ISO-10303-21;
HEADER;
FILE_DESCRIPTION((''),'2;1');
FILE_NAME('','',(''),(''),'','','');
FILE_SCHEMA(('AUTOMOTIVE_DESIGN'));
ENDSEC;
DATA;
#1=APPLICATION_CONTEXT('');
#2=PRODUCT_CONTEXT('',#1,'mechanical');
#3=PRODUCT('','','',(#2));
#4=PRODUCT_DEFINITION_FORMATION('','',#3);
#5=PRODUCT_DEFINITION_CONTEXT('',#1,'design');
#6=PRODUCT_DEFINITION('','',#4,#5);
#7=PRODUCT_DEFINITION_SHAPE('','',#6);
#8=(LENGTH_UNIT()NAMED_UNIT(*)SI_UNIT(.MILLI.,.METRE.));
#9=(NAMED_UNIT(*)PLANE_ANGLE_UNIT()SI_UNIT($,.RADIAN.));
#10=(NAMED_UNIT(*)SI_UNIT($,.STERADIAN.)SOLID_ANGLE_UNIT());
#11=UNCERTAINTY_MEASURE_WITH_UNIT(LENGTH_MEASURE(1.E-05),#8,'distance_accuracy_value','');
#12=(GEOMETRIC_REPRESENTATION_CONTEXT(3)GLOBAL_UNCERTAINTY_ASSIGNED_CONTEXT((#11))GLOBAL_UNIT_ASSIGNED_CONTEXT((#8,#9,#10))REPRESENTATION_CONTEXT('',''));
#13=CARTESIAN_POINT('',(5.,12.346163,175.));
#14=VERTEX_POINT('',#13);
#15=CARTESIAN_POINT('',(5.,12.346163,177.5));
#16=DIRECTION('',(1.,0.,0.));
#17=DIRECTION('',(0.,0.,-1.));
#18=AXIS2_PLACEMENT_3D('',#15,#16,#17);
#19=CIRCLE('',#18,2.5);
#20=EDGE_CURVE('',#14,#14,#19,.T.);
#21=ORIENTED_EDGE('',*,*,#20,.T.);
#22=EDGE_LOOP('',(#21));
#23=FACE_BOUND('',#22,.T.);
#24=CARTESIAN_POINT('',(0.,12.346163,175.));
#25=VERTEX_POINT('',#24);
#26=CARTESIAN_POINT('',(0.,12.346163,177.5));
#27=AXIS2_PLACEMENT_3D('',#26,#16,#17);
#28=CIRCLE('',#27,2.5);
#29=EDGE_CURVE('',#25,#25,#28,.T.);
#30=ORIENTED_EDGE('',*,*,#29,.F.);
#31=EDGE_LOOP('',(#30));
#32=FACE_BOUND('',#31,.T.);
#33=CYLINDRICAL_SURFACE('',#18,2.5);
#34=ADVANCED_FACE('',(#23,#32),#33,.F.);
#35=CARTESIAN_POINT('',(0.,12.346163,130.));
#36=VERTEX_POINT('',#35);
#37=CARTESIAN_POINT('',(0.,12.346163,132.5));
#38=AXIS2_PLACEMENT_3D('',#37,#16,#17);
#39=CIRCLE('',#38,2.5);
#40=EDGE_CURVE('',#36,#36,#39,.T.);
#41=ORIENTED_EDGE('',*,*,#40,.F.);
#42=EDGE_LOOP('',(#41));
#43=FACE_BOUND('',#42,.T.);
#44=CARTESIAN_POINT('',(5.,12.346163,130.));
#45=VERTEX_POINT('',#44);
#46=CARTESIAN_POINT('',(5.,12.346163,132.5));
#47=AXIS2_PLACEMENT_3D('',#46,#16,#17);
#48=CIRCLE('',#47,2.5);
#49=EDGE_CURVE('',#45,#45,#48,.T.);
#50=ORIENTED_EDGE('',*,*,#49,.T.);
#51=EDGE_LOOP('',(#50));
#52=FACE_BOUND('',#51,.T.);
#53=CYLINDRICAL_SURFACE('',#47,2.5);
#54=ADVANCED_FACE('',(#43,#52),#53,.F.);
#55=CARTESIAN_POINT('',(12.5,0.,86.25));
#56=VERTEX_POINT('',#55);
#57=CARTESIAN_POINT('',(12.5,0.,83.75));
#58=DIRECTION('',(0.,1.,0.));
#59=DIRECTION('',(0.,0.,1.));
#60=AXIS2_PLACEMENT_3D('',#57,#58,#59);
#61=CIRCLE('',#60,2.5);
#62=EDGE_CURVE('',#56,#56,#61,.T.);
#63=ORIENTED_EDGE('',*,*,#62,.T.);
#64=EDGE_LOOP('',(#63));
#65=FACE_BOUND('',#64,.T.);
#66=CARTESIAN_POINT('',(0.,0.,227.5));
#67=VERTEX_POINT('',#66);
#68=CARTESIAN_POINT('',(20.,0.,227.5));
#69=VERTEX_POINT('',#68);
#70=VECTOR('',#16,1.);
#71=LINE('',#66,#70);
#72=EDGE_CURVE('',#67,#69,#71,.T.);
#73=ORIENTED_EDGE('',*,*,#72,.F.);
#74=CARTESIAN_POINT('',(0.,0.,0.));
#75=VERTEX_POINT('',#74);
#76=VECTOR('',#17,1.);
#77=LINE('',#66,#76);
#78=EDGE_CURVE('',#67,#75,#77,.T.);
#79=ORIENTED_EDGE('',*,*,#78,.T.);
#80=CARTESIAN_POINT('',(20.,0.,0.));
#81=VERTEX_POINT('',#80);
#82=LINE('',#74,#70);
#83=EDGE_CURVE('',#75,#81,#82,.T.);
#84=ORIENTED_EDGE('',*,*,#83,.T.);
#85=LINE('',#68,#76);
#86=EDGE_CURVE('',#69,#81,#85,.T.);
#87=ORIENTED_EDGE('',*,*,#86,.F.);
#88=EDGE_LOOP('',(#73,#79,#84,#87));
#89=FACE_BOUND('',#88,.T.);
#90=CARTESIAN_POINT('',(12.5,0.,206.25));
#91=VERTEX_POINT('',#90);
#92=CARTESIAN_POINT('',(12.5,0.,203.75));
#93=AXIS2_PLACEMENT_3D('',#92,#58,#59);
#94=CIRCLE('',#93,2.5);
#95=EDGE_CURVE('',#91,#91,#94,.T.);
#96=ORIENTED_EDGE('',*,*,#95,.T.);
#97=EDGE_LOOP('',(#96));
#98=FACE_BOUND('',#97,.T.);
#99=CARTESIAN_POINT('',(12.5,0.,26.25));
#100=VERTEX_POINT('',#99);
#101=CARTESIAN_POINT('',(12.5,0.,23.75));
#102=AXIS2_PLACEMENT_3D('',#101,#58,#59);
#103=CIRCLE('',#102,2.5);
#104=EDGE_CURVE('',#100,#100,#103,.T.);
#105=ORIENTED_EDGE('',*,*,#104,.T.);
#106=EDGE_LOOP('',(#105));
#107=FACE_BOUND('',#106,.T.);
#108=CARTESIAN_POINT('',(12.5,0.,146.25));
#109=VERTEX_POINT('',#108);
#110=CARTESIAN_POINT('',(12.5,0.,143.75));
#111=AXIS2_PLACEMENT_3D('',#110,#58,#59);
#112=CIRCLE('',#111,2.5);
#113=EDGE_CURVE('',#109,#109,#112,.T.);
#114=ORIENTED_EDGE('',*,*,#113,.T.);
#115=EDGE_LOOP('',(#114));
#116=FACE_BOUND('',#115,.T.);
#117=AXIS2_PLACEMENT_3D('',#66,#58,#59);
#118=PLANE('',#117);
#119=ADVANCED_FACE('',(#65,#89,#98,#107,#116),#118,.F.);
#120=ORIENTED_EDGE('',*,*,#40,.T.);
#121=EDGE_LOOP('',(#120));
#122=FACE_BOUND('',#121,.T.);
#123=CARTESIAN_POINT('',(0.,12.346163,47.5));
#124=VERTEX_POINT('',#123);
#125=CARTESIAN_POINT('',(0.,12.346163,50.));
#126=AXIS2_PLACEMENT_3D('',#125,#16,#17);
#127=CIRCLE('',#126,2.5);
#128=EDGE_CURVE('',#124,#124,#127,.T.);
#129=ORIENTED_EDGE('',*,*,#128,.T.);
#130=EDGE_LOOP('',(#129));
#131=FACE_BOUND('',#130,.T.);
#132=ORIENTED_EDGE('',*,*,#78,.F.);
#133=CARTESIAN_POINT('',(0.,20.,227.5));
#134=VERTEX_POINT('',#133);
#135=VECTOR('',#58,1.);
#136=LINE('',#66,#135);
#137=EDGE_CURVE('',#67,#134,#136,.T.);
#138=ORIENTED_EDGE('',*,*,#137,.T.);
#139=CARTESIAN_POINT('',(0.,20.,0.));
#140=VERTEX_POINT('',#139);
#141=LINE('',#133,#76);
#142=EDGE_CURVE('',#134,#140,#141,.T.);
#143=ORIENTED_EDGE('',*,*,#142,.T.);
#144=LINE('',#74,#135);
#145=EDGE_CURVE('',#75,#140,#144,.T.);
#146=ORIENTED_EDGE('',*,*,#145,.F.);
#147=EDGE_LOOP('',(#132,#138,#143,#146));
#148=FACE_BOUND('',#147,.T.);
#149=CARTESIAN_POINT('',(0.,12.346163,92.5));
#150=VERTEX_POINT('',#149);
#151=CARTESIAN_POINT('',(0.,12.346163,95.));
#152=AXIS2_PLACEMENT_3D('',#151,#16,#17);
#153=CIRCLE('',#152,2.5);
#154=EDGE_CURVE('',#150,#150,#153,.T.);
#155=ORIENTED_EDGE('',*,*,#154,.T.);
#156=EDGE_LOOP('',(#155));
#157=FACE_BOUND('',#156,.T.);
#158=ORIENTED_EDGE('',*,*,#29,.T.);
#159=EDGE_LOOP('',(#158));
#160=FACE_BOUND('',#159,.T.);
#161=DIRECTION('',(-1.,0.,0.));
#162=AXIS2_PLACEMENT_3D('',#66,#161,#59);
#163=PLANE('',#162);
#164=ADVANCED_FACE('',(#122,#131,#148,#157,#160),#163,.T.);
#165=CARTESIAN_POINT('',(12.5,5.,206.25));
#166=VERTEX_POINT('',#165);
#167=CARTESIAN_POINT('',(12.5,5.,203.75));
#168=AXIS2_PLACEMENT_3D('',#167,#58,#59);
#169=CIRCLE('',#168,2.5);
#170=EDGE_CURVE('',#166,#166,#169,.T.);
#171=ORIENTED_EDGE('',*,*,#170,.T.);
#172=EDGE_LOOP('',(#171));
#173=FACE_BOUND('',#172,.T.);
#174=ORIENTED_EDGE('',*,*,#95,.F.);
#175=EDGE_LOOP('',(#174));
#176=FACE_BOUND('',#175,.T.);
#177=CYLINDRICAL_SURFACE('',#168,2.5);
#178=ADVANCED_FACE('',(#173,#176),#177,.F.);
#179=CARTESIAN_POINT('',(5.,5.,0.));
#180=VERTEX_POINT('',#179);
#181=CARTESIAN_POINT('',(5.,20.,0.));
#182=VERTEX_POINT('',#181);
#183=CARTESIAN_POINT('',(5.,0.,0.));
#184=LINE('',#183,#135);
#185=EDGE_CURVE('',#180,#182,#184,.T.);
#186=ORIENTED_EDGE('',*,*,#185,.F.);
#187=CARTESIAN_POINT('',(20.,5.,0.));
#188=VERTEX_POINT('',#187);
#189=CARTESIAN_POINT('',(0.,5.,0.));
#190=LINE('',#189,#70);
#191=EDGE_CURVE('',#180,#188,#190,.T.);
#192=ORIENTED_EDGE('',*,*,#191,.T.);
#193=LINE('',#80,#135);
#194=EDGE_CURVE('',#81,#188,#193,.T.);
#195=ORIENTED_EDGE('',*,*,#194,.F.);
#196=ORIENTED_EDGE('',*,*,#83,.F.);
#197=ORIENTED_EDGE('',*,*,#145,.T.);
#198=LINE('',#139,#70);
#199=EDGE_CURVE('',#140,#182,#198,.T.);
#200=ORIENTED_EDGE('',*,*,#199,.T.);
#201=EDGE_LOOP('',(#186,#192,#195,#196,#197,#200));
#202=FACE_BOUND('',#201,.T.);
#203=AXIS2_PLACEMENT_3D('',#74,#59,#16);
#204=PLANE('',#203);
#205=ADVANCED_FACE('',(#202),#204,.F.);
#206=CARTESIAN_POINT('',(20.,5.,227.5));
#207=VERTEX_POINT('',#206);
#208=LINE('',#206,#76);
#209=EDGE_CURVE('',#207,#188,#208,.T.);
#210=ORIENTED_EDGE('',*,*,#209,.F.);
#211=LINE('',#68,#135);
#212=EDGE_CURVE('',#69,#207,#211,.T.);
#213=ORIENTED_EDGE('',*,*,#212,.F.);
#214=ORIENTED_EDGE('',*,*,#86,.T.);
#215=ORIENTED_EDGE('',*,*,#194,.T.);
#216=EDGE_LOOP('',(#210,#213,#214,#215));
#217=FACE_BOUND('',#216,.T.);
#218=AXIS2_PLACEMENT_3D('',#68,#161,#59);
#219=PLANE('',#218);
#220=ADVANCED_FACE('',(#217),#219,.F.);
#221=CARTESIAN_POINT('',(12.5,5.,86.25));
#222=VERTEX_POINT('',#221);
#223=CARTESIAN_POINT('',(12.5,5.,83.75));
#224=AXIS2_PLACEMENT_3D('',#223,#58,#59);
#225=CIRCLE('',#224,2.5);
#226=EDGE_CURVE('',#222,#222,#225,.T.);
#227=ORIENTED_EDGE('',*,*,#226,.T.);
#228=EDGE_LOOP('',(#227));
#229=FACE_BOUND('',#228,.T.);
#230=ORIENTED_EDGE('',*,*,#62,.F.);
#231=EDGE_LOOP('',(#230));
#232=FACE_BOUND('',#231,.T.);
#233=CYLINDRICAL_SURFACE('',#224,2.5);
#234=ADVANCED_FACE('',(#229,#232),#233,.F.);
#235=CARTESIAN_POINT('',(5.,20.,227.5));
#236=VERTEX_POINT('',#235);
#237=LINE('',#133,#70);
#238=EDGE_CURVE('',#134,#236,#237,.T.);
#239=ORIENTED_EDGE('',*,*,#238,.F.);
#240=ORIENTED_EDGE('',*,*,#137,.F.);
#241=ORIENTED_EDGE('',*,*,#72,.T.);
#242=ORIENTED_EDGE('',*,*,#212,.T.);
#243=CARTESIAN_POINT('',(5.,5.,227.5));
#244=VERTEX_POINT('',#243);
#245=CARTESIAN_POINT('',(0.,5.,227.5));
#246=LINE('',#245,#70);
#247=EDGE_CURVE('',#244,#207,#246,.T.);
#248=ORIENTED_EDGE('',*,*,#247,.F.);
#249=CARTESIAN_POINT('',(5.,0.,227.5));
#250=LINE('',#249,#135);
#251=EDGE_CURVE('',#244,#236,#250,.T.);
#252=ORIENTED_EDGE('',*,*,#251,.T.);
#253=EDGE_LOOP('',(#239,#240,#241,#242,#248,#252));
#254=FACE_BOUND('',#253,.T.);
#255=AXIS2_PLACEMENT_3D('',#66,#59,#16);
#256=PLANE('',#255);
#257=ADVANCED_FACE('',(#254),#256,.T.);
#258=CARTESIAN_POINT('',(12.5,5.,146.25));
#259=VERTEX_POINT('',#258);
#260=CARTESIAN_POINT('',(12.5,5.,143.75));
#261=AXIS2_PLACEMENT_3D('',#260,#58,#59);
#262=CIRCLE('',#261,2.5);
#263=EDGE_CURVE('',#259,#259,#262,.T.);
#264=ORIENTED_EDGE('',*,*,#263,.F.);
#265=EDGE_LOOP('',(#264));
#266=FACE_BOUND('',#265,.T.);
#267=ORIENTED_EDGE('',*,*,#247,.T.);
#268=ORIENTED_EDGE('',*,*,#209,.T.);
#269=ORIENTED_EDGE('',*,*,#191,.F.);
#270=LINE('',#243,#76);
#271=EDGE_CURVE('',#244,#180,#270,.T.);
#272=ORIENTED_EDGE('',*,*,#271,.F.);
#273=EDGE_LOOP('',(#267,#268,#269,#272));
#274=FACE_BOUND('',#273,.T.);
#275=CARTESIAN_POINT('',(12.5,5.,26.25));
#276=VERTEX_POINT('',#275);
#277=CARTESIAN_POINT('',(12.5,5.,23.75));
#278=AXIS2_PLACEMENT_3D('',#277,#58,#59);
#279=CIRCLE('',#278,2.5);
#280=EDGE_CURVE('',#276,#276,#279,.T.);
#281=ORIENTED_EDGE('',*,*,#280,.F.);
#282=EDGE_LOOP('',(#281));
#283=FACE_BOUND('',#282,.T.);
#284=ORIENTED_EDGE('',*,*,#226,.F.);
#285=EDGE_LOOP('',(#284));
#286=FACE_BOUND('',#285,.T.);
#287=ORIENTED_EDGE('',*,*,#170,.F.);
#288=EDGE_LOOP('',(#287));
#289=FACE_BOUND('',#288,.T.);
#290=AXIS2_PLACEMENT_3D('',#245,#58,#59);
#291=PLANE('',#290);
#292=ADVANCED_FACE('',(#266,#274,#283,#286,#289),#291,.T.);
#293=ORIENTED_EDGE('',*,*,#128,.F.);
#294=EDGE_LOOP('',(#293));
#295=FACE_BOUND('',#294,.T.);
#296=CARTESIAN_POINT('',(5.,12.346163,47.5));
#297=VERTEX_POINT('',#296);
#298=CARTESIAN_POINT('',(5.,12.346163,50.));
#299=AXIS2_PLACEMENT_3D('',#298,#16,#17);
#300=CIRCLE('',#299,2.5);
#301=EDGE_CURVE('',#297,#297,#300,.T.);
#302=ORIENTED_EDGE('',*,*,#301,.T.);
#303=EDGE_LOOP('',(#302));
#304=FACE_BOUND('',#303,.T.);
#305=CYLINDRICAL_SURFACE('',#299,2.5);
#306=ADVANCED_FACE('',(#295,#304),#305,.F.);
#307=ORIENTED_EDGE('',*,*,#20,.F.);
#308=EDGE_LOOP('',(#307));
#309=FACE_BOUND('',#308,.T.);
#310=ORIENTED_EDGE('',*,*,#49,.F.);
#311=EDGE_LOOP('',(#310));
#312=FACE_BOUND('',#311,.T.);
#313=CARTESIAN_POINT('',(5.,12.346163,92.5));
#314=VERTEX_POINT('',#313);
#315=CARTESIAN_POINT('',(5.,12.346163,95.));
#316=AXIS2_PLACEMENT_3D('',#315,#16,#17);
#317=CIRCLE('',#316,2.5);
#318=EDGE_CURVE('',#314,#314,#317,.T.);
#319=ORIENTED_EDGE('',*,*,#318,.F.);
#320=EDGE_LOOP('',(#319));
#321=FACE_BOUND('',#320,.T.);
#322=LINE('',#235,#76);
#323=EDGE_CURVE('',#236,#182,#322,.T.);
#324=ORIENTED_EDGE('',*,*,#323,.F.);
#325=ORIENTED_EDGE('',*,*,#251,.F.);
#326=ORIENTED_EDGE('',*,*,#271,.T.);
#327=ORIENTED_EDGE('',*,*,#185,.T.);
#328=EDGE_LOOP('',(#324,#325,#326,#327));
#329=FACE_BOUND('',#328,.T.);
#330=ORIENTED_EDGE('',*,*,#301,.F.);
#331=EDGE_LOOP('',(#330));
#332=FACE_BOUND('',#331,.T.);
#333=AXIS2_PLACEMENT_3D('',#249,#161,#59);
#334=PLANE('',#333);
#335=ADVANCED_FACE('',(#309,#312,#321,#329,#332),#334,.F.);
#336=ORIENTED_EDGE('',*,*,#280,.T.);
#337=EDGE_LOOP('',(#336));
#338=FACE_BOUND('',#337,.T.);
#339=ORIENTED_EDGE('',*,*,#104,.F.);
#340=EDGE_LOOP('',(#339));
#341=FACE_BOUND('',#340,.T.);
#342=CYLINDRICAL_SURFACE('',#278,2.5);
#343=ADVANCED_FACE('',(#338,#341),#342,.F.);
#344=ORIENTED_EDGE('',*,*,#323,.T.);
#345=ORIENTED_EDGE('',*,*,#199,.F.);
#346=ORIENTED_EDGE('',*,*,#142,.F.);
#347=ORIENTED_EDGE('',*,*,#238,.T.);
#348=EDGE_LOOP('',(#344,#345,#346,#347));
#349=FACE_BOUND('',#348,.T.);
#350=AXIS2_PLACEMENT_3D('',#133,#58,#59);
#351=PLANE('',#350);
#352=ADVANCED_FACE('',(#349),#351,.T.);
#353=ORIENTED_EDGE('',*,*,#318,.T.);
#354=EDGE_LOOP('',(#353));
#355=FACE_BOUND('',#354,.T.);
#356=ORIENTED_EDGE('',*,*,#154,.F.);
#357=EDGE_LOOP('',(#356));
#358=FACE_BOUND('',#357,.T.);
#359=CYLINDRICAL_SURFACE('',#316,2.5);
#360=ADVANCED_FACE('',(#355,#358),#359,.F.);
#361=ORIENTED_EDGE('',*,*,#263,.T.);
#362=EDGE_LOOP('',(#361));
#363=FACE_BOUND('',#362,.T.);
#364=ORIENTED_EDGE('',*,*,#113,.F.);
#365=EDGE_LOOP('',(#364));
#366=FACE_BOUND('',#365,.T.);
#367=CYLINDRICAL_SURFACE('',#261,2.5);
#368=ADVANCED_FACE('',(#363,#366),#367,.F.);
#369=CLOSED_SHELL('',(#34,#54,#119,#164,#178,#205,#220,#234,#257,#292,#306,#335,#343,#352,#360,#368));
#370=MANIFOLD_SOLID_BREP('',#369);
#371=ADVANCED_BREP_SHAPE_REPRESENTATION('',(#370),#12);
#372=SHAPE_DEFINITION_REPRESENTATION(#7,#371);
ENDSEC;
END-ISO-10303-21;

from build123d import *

# Parameters (mm, degrees)
BOSS_EXTRUDE1_DEPTH         = 227.5
TAP_DRILL_FOR_M5X0_8_TAP1_D = 5
F_5_0_5_DIAMETER_HOLE1_D    = 5


with BuildPart() as part:
    # Sketch1 → Boss-Extrude1 (new body)
    with BuildSketch(Plane.XY):
        Polygon((0, 5), (0, 0), (5, 0), (20, 0), (20, 5), (5, 5), (5, 20), (0, 20), align=None)
    extrude(amount=BOSS_EXTRUDE1_DEPTH)

    # Tap Drill for M5x0.8 Tap1 (through all)
    with Locations(Plane(origin=(0, 5, 0), x_dir=(1, 0, 0), z_dir=(0, 1, 0))):
        with Locations((12.5, -203.75), (12.5, -143.75), (12.5, -83.75), (12.5, -23.75)):
            Hole(TAP_DRILL_FOR_M5X0_8_TAP1_D / 2)

    # Ø5.0 (5) Diameter Hole1 (through all)
    with Locations(Plane(origin=(5, 0, 0), x_dir=(0, 0, -1), z_dir=(1, 0, 0))):
        with Locations((-177.5, 12.346163158), (-132.5, 12.346163158), (-95, 12.346163158), (-50, 12.346163158)):
            Hole(F_5_0_5_DIAMETER_HOLE1_D / 2)


solid = part.part
